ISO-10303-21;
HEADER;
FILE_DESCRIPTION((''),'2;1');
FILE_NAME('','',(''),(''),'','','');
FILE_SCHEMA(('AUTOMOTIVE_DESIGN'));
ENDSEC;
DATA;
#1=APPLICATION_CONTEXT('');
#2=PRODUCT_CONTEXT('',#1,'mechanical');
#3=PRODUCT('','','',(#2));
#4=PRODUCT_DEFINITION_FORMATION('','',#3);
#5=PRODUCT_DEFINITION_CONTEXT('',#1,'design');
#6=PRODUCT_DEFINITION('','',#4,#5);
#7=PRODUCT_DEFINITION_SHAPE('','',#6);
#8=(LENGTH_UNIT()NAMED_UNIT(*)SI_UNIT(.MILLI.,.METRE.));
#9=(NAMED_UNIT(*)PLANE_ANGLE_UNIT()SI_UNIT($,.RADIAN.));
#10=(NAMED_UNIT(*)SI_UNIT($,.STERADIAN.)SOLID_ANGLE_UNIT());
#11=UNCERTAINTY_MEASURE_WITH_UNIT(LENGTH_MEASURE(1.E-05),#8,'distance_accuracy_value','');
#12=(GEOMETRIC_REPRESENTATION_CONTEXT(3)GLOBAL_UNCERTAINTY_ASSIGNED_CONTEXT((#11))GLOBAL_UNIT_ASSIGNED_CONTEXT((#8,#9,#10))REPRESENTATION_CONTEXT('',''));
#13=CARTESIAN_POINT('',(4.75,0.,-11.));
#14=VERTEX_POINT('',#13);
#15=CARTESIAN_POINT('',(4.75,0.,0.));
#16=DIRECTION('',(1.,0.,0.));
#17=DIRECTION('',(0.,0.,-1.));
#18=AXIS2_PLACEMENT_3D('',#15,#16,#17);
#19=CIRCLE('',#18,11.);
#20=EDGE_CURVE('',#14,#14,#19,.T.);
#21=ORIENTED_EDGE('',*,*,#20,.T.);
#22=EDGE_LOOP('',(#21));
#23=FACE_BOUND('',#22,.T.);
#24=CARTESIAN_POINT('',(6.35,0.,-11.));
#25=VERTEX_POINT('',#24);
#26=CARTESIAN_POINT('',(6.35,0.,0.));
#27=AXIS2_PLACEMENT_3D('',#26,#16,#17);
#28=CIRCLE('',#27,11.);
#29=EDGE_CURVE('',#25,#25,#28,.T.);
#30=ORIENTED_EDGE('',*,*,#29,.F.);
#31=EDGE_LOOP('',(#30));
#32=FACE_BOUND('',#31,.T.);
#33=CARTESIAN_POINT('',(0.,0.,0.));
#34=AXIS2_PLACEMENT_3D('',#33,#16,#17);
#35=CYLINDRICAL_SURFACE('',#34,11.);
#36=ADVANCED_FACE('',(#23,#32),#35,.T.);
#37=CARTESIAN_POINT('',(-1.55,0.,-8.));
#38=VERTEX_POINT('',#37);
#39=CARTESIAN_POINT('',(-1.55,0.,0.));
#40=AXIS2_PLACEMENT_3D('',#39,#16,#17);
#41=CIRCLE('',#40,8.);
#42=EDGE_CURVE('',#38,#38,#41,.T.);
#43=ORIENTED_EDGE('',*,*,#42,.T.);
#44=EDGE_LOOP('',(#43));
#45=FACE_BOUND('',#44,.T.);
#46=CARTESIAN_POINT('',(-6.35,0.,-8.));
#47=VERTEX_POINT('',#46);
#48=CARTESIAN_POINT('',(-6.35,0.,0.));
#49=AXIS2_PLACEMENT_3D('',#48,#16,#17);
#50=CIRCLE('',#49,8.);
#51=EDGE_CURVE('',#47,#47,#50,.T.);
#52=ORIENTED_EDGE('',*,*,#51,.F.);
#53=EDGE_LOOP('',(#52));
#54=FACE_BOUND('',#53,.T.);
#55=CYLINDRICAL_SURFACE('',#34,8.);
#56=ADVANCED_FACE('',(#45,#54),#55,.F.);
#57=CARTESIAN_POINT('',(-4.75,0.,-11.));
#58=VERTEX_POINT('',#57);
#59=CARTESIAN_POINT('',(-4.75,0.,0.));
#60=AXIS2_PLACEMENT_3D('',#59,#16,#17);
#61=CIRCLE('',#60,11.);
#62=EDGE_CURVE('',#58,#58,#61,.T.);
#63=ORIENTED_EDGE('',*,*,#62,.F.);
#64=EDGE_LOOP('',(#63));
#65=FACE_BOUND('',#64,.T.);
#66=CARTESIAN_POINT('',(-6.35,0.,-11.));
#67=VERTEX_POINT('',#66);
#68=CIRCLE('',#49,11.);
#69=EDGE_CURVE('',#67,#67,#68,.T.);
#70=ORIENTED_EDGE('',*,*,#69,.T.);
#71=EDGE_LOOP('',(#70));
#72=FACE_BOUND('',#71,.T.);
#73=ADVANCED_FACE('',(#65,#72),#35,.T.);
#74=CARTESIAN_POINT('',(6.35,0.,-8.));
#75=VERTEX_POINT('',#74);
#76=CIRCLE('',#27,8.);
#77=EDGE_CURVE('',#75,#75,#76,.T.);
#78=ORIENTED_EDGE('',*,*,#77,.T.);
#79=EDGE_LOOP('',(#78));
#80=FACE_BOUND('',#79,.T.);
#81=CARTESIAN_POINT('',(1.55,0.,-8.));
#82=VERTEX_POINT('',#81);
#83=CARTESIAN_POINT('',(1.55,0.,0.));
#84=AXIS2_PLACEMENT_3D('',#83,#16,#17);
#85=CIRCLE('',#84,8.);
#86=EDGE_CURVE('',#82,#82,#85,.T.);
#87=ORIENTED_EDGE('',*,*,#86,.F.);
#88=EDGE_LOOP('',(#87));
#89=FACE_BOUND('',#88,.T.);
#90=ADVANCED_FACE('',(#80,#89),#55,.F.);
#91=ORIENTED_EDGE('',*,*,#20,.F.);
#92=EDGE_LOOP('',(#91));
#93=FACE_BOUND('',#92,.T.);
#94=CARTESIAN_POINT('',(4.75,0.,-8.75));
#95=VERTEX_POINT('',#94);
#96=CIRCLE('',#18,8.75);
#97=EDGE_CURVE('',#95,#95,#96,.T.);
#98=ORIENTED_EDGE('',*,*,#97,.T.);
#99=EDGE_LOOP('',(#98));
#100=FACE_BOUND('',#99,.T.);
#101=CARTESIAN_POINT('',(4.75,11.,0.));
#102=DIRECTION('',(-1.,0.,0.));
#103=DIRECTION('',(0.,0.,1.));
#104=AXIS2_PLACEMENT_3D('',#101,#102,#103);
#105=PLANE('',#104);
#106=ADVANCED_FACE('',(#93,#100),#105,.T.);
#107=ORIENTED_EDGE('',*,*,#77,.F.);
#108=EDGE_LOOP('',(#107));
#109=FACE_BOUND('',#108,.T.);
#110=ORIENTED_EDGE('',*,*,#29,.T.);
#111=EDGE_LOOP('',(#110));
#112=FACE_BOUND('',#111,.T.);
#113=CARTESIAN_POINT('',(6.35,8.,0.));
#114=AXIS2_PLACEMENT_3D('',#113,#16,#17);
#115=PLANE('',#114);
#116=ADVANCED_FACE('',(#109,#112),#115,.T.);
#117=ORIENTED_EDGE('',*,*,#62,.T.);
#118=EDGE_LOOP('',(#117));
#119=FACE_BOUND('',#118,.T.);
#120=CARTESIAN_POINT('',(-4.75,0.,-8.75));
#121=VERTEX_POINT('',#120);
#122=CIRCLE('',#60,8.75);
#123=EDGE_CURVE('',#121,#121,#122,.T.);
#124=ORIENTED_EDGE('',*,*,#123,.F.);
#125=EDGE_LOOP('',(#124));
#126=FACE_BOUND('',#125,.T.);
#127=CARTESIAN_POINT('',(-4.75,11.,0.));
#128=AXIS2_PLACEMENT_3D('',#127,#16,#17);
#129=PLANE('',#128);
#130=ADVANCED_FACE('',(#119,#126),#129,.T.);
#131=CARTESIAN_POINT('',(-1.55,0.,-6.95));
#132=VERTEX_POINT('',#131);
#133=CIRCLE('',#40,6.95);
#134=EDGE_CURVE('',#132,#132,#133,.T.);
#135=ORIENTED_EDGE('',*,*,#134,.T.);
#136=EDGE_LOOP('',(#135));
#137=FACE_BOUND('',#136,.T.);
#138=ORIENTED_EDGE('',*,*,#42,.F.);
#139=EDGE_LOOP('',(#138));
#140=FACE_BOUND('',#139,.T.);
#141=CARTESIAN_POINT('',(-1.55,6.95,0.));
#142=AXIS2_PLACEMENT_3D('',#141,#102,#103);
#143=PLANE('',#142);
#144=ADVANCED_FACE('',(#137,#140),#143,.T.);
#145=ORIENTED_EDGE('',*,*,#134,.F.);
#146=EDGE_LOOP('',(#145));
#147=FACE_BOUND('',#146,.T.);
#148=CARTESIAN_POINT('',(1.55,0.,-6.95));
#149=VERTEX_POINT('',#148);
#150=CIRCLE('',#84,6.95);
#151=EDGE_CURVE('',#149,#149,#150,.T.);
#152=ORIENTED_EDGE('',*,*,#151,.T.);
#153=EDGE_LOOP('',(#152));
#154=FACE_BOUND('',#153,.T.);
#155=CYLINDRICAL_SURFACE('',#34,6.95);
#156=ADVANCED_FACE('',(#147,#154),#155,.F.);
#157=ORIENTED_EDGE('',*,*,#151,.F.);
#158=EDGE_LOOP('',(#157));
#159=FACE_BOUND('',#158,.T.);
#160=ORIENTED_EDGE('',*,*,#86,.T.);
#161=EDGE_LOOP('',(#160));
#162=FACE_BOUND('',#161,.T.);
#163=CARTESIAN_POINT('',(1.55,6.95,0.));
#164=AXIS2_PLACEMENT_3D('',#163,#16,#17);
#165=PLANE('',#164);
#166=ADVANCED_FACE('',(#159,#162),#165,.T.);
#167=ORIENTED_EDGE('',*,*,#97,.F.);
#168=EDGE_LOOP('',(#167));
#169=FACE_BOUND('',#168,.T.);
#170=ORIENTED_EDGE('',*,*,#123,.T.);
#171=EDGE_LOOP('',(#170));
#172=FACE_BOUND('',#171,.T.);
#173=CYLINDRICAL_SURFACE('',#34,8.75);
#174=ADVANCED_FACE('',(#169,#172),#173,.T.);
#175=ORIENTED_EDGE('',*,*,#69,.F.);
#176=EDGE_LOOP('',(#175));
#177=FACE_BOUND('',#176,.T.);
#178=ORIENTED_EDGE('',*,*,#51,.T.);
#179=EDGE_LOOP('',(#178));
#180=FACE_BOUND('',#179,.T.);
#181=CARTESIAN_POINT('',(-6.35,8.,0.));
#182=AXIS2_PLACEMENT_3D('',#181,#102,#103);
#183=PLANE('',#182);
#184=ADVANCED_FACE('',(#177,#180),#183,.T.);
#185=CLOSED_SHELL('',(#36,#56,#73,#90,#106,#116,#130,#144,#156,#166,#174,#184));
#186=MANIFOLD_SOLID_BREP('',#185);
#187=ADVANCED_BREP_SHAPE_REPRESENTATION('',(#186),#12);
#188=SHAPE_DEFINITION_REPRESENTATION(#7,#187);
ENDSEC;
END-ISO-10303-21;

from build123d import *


with BuildPart() as part:
    # Sketch1 → Revolve1 (revolve)
    with BuildSketch(Plane.XY):
        Polygon((1.55, 6.95), (-1.55, 6.95), (-1.55, 8), (-6.35, 8), (-6.35, 11), (-4.75, 11), (-4.75, 8.75), (4.75, 8.75), (4.75, 11), (6.35, 11), (6.35, 8), (1.55, 8), align=None)
    revolve(axis=Axis((0, 0, 0), (-1, 0, 0)))


solid = part.part
